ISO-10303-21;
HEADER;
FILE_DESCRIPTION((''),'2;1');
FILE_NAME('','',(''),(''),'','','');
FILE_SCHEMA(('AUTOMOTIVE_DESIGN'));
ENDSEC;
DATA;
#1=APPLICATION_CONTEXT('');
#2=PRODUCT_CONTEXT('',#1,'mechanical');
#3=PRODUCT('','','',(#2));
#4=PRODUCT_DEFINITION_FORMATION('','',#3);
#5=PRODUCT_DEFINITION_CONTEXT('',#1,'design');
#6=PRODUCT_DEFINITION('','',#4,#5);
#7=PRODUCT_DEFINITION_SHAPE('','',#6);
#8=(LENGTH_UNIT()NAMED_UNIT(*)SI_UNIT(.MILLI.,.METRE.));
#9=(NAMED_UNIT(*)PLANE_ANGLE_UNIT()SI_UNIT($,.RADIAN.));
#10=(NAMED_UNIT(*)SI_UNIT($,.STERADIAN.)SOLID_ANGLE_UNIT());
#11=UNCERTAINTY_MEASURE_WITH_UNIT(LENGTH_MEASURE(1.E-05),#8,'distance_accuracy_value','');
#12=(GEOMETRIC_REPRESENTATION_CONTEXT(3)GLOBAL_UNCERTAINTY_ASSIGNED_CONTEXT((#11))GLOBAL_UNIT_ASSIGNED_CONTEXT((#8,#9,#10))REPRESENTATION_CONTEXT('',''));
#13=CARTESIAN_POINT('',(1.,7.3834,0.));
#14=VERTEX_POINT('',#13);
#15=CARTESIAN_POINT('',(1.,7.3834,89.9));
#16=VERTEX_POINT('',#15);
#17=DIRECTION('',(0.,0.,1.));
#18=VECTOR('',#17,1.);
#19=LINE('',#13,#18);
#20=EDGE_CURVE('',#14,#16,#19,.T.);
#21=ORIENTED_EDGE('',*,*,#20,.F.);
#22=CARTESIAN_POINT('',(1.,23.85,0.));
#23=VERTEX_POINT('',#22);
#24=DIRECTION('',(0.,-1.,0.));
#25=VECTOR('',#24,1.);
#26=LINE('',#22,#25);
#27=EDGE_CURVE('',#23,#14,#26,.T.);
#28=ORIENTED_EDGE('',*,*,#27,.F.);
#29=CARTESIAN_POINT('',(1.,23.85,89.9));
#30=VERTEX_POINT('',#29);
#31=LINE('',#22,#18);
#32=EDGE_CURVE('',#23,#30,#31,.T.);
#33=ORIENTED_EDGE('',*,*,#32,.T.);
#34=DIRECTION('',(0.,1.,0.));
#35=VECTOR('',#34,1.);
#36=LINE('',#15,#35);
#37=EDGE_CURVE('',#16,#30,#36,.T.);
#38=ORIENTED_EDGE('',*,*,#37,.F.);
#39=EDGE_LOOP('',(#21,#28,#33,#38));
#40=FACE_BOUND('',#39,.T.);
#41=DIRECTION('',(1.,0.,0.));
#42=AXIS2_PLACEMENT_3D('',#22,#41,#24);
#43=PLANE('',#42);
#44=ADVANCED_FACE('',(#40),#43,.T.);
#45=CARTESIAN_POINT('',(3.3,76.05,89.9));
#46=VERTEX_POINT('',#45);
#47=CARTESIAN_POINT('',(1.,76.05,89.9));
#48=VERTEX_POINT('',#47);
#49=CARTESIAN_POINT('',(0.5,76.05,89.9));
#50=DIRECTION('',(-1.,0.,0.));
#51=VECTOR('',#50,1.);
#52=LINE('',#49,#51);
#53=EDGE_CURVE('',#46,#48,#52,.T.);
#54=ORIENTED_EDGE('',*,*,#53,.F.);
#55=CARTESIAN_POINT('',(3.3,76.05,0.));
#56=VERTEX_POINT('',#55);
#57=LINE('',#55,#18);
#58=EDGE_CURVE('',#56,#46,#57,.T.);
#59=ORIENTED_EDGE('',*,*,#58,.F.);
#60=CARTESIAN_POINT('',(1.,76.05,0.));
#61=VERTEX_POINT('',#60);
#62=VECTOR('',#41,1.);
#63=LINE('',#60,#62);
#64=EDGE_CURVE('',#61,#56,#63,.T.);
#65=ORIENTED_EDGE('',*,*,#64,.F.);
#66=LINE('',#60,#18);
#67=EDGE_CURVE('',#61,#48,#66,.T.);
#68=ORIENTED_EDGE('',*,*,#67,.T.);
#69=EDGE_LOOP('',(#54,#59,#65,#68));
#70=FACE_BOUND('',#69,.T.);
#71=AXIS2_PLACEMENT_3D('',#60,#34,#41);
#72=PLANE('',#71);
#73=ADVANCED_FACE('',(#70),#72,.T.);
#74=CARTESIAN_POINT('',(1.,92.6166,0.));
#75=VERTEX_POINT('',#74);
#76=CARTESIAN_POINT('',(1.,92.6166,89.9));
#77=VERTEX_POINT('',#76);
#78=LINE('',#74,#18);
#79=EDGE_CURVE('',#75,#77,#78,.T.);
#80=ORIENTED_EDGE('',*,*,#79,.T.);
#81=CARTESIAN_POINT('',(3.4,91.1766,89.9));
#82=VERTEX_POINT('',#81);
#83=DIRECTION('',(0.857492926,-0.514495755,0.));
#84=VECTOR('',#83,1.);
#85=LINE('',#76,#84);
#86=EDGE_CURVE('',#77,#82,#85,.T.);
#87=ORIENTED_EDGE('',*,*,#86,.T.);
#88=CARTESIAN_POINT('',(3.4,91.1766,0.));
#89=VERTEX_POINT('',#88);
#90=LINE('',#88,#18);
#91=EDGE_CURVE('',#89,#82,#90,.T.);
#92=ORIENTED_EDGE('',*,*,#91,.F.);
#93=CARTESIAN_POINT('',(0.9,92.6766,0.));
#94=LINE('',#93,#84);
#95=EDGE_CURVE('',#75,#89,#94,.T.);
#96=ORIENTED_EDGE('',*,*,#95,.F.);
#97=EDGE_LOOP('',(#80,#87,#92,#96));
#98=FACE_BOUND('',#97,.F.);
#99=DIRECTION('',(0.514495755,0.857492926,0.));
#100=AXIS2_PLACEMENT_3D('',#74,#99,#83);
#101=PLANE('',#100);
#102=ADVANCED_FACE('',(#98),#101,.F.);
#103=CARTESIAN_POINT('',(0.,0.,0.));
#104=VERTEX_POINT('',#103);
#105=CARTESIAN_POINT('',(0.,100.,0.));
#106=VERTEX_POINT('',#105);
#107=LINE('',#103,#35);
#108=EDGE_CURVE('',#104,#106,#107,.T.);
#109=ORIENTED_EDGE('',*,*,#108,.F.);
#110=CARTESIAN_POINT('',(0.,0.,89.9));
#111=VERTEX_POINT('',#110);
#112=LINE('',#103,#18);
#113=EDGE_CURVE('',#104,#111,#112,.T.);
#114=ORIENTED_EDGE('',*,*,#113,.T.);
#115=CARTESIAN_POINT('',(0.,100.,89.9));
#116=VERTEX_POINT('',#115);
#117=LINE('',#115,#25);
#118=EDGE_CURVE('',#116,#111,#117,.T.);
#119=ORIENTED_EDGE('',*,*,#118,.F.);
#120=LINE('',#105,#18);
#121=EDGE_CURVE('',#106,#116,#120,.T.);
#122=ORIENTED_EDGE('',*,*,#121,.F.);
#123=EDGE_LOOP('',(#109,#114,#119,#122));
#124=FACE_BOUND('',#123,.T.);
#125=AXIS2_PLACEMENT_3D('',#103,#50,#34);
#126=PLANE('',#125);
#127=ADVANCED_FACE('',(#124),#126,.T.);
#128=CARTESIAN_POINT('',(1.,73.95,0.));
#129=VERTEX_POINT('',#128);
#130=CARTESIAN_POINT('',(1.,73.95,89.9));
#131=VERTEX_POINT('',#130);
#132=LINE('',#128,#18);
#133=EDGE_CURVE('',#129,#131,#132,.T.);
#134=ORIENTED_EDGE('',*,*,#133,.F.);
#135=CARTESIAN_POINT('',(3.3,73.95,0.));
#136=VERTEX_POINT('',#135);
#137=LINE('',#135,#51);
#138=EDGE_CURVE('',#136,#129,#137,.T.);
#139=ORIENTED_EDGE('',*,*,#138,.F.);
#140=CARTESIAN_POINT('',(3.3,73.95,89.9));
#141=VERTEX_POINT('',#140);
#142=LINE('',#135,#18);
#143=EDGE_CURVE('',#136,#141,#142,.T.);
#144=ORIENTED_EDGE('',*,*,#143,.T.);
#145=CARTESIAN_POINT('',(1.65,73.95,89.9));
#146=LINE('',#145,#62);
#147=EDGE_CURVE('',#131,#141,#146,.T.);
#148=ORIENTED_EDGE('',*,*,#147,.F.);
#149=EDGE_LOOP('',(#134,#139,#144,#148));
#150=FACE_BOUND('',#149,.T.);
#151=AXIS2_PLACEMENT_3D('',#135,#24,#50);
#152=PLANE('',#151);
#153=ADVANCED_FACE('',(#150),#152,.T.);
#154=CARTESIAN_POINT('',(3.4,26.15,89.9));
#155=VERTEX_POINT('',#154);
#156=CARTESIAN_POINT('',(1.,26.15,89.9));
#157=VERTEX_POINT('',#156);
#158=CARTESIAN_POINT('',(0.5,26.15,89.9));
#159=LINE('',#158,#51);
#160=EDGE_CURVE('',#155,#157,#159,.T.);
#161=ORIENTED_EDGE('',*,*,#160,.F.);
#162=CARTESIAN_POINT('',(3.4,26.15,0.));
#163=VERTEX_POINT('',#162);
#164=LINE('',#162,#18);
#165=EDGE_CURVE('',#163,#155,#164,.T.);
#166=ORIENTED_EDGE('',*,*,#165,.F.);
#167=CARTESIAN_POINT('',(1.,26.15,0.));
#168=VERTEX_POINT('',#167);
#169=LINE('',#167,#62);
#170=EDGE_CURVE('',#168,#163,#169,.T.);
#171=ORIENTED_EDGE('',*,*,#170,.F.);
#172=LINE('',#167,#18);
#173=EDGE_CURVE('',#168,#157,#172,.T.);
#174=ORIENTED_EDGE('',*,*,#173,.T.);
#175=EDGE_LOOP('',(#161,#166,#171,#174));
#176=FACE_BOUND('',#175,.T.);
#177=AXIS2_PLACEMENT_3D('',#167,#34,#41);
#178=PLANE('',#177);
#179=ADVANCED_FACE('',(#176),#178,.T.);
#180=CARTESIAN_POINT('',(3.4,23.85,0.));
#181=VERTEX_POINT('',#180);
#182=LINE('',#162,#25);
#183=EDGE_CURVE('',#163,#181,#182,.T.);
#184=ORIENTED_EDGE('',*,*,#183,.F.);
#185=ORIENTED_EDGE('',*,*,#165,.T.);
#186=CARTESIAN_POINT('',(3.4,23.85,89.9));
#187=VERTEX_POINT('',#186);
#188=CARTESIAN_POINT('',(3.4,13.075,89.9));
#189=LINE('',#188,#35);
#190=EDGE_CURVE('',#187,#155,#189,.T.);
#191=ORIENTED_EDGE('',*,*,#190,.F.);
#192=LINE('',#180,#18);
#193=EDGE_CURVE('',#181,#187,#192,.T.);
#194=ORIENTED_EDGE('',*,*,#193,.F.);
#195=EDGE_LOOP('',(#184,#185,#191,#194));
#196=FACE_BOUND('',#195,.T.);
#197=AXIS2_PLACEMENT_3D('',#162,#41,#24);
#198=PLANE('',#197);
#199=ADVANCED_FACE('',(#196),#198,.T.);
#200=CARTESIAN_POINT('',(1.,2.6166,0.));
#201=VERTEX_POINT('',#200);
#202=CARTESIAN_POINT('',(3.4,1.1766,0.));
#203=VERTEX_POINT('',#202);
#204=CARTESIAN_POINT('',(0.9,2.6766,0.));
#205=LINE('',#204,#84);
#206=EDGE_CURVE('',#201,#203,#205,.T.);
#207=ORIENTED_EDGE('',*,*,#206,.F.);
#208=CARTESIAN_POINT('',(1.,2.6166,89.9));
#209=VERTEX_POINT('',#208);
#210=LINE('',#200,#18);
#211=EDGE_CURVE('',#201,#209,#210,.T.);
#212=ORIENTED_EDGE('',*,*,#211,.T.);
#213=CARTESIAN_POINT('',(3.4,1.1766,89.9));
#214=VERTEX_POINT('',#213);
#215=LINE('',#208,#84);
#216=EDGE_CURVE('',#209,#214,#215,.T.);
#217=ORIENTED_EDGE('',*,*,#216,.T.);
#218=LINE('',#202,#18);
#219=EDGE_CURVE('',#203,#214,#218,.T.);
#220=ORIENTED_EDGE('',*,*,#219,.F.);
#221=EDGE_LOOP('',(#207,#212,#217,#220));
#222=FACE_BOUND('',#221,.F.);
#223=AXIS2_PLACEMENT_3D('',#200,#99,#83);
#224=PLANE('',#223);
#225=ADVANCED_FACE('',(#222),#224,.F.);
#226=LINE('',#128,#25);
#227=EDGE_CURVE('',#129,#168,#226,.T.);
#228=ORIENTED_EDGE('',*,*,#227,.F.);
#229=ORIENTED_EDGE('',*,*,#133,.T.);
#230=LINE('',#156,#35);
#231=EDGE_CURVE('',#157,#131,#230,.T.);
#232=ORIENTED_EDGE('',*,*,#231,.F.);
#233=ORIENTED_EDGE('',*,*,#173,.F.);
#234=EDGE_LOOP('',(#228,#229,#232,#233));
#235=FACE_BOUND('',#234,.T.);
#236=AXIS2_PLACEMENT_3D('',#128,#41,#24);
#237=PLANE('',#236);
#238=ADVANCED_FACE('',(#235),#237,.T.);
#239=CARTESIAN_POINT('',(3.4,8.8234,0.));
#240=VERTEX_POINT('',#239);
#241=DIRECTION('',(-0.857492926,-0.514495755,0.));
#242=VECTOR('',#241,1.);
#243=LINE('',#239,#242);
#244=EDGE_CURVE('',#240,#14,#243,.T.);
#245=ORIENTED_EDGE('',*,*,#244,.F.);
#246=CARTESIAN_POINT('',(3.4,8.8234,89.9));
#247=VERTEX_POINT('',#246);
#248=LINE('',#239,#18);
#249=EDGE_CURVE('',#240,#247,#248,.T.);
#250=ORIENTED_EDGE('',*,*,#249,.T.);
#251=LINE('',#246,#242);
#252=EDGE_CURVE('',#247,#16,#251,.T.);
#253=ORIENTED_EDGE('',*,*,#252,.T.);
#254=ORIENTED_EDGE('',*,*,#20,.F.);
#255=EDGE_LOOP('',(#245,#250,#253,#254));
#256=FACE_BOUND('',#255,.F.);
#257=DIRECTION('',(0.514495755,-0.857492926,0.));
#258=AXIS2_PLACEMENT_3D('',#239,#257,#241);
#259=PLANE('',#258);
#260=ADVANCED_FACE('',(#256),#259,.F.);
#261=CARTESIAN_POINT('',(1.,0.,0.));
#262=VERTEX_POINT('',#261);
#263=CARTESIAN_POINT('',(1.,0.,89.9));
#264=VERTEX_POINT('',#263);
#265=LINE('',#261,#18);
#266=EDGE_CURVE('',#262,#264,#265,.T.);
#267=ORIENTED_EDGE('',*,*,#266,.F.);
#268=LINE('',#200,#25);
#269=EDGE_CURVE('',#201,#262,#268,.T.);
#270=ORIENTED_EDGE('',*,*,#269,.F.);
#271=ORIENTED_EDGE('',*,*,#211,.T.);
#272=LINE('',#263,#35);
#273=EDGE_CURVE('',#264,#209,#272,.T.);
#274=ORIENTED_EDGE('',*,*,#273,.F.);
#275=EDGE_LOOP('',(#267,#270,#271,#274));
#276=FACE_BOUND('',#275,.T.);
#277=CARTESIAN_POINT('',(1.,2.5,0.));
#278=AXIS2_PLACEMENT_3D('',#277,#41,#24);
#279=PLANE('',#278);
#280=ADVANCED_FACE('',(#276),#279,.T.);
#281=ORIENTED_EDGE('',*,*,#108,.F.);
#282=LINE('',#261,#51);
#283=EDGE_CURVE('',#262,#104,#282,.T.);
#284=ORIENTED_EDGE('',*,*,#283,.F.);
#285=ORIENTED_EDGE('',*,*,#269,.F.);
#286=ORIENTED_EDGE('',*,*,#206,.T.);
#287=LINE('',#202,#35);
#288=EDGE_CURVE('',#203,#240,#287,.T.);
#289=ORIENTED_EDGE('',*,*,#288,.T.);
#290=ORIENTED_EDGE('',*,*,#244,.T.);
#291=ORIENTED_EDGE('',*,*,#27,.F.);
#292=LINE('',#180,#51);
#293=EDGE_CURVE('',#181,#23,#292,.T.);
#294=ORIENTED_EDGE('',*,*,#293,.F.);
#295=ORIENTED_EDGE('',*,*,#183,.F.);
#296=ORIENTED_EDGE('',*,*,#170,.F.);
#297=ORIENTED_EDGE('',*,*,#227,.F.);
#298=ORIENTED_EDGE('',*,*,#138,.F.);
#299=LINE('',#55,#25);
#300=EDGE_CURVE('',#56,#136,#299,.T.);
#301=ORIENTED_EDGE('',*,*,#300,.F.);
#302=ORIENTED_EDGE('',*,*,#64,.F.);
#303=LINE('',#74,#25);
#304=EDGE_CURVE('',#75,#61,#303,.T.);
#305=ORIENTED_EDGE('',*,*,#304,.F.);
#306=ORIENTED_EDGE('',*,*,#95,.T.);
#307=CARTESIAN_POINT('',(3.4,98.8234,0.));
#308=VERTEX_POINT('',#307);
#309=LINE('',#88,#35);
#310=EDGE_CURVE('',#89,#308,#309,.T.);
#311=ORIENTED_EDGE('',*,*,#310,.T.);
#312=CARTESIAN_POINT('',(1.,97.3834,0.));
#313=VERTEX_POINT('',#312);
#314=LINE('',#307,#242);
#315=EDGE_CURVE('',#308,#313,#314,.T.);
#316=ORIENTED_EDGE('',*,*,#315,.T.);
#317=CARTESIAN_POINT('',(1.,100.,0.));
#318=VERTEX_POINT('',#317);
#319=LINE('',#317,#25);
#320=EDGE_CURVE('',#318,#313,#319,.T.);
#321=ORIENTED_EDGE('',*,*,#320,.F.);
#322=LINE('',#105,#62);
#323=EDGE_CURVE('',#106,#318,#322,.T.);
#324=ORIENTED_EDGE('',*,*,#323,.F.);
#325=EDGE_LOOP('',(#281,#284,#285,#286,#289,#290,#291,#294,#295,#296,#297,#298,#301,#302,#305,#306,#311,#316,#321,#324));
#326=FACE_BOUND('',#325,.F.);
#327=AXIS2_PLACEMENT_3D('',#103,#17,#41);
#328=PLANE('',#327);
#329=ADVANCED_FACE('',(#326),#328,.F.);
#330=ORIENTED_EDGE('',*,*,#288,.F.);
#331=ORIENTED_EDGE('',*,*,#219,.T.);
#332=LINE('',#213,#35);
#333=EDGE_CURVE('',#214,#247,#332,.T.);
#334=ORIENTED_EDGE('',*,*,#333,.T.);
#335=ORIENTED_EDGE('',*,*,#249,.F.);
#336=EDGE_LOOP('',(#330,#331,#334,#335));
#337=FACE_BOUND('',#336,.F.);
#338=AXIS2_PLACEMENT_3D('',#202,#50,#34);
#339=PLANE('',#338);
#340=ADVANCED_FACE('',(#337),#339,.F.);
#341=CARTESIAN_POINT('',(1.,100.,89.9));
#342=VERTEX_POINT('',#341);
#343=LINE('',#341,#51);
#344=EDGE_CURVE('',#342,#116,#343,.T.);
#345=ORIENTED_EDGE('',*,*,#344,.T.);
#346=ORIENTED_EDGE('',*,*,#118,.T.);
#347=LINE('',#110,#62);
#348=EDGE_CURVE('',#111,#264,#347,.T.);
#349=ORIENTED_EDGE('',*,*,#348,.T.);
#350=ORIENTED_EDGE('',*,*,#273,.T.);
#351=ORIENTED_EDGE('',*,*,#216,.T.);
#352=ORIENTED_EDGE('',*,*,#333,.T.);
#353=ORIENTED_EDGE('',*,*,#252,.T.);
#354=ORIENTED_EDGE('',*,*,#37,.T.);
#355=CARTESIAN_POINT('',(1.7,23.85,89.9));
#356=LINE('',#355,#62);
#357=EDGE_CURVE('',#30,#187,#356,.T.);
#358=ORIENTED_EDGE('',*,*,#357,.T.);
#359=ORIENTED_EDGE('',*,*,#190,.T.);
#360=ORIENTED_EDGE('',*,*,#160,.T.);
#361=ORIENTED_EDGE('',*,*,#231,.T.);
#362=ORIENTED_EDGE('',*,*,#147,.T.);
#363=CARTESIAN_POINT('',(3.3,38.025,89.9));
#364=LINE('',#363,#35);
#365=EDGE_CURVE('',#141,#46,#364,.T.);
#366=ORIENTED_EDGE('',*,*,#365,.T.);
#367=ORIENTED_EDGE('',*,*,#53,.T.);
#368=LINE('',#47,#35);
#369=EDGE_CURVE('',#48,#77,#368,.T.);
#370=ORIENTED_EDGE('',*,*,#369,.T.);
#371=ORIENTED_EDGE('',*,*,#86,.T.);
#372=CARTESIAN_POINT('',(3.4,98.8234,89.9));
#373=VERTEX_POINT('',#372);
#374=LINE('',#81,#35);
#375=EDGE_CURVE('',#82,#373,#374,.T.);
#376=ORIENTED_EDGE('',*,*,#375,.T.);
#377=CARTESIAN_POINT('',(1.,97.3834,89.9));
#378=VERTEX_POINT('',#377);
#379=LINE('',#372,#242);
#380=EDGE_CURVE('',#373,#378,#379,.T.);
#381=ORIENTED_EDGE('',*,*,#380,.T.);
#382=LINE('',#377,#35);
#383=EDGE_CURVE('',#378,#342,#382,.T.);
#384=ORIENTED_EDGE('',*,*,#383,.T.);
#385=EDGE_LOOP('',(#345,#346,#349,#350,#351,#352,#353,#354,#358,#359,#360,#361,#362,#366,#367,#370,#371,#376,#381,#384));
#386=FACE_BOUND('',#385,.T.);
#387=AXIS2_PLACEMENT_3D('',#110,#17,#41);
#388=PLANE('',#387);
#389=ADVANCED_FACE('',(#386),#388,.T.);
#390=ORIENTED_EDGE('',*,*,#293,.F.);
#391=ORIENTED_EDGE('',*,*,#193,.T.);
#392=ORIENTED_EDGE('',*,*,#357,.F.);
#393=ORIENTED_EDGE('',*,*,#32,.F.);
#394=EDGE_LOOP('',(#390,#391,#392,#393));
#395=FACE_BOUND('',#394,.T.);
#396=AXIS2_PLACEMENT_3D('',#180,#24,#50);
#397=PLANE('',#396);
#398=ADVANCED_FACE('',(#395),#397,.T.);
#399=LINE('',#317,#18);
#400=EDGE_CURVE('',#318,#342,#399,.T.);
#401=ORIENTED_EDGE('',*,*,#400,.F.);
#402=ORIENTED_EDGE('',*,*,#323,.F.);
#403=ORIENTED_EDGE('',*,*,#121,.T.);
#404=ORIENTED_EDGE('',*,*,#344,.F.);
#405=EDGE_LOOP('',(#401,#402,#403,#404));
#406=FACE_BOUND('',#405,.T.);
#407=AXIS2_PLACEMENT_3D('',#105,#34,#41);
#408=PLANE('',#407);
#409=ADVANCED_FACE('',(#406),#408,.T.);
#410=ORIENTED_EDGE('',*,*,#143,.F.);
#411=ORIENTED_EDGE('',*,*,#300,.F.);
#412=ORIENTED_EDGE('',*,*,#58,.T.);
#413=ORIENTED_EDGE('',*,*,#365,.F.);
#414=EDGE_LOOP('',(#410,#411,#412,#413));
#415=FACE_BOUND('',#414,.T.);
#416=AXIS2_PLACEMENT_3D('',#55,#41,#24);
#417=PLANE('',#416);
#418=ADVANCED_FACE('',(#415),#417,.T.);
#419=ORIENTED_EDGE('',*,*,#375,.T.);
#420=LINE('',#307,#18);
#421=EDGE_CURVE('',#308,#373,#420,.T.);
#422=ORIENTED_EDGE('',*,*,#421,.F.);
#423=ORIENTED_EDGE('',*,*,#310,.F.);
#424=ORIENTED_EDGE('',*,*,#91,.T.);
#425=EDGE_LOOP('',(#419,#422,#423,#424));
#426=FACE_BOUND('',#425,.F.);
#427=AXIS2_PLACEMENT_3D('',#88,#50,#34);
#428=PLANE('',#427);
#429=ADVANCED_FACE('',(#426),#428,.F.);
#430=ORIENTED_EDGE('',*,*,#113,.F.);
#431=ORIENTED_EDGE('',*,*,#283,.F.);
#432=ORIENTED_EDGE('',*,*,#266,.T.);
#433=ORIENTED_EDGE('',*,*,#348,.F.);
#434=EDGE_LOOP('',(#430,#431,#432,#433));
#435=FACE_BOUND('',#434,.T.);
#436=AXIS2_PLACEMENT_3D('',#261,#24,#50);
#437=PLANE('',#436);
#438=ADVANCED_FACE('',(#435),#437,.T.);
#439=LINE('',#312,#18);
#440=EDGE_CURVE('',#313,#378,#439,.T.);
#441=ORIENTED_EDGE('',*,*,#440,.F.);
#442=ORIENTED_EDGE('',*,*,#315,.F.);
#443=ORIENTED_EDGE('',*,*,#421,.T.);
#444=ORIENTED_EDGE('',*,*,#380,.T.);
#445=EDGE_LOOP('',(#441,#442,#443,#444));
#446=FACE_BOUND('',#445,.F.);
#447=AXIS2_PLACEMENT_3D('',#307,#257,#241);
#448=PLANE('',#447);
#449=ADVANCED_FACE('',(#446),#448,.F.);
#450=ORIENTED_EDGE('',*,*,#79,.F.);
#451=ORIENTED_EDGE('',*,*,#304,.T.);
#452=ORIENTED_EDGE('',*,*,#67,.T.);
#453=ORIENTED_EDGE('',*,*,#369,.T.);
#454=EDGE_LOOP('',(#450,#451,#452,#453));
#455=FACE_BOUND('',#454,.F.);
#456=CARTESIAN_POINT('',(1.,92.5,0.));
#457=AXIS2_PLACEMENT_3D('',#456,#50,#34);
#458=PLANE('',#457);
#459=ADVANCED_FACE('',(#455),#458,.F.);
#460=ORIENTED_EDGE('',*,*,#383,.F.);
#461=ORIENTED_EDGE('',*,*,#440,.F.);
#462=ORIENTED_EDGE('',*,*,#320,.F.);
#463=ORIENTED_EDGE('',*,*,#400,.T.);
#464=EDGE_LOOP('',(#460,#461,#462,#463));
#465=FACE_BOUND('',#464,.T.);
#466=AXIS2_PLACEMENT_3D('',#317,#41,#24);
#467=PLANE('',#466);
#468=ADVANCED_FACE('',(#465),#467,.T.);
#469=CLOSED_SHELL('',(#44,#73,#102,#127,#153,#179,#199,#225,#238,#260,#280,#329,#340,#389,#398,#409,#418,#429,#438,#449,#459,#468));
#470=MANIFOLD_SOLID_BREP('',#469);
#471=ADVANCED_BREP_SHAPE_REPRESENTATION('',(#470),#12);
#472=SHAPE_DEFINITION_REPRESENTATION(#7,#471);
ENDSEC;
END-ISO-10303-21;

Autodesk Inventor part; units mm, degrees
ref_plane "YZ Plane" through (0, 0, 0) normal (1, 0, 0) x (0, 1, 0)
ref_plane "XZ Plane" through (0, 0, 0) normal (0, 1, 0) x (-1, 0, 0)
sketch "Sketch1" plane through (0, 0, 0) normal (0, 0, 1) x (1, 0, 0)
  line L0 (0, 0) -> (0, 100)
  line L1 (0, 100) -> (1, 100)
  line L2 (1, 100) -> (1, 97.5)
  line L3 (1, 97.5) -> (3.5, 99)
  line L4 (3.5, 99) -> (3.5, 91)
  line L5 (3.5, 91) -> (1, 92.5)
  line L6 (1, 92.5) -> (1, 7.5)
  line L7 (1, 7.5) -> (3.5, 9)
  line L8 (3.5, 9) -> (3.5, 1)
  line L9 (3.5, 1) -> (1, 2.5)
  line L10 (1, 2.5) -> (1, 0)
  line L11 (1, 0) -> (0, 0)
  line L12 (1, 76.25) -> (3.5, 76.25)
  line L13 (3.5, 76.25) -> (3.5, 73.75)
  line L14 (3.5, 73.75) -> (1, 73.75)
  line L15 (1, 73.75) -> (1, 76.25)
  line L16 (1, 23.75) -> (3.5, 23.75)
  line L17 (3.5, 23.75) -> (3.5, 26.25)
  line L18 (3.5, 26.25) -> (1, 26.25)
  line L19 (1, 26.25) -> (1, 23.75)
  line L20 (3.4, 98.8234) -> (0.9, 97.3234)
  line L21 (0.9, 97.3234) -> (0.9, 99.9)
  line L22 (0.9, 99.9) -> (0.1, 99.9)
  line L23 (0.1, 99.9) -> (0.1, 0.1)
  line L24 (0.1, 0.1) -> (0.9, 0.1)
  line L25 (0.9, 0.1) -> (0.9, 2.6766)
  line L26 (0.9, 2.6766) -> (3.4, 1.1766)
  line L27 (3.4, 1.1766) -> (3.4, 8.8234)
  line L28 (3.4, 8.8234) -> (0.9, 7.3234)
  line L29 (0.9, 7.3234) -> (0.9, 92.6766)
  line L30 (0.9, 92.6766) -> (3.4, 91.1766)
  line L31 (3.4, 91.1766) -> (3.4, 98.8234)
  line L32 (1, 92.5) -> (1, 97.5)
  line L33 (1, 2.5) -> (1, 7.5)
  point P0 (1, 98.75)
  point P1 (0.5, 0)
  point P2 (3.5, 75)
  point P3 (3.5, 25)
  point P4 (1, 97.3834)
  point P5 (1, 92.6166)
  point P6 (1, 7.3834)
  point P7 (1, 2.6166)
  dimension "d0" = 8
  dimension "d1" = 8
  dimension "d2" = 2.5
  dimension "d3" = 2.5
  dimension "d4" = 1
  dimension "d5" = 1
  dimension "d6" = 100
  dimension "d7" = 5
  dimension "d8" = 5
  dimension "d10" = 2.5
  dimension "d11" = 7.5
  dimension "d12" = 2.5
  dimension "d13" = 1
  dimension "d16" = 2.5
  dimension "d17" = 2.5
  dimension "d18" = 2.5
  dimension "d19" = 2.5
  dimension "d20" = 25
  dimension "d21" = 25
  dimension "d24" = 0.1
extrude "Extrusion1" add sketch "Sketch1" along normal blind 90 contours L0 L1 L2 L32 L20 L21 L22 L23 L24 L25 L26 L33 L10 L11 | L33 L26 L27 L28 L7 L8 L9 | L3 L4 L5 L32 L30 L31 L20 | L33 L28 L27 L26 | L26 L25 L24 L23 L22 L21 L20 L32 L30 L29 L28 L33 | L20 L31 L30 L32 | L28 L29 L30 L32 L6 L33
extrude "Extrusion2" add sketch "Sketch1" along normal blind 90 contours L6 L18 L17 L16 | L12 L13 L14 L6
ref_plane "Work Plane1" through (0, 0, 90) normal (0, 0, -1) x (0, 1, 0)
extrude "Extrusion3" cut sketch "Sketch1" along normal up to surface (90 mm away) contours L33 L26 L27 L28 L7 L8 L9 | L3 L4 L5 L32 L30 L31 L20
sketch "Sketch2" plane through (0, 0, 90) normal (0, 0, 1) x (1, 0, 0)
  point P0 (0, 0)
sketch "Sketch3" plane through (0, 0, 90) normal (0, 0, 1) x (1, 0, 0)
  line L0 (1, 97.3834) -> (1, 100) projected
  line L1 (1, 100) -> (0, 100) projected
  line L2 (0, 100) -> (0, 0) projected
  line L3 (0, 0) -> (1, 0) projected
  line L4 (1, 0) -> (1, 2.6166) projected
  line L5 (1, 2.6166) -> (3.4, 1.1766) projected
  line L6 (3.4, 1.1766) -> (3.4, 8.8234) projected
  line L7 (3.4, 8.8234) -> (1, 7.3834) projected
  line L8 (1, 7.3834) -> (1, 23.75) projected
  line L9 (1, 23.75) -> (3.5, 23.75) projected
  line L10 (3.5, 23.75) -> (3.5, 26.25) projected
  line L11 (3.5, 26.25) -> (1, 26.25) projected
  line L12 (1, 26.25) -> (1, 73.75) projected
  line L13 (1, 73.75) -> (3.5, 73.75) projected
  line L14 (3.5, 73.75) -> (3.5, 76.25) projected
  line L15 (3.5, 76.25) -> (1, 76.25) projected
  line L16 (1, 76.25) -> (1, 92.6166) projected
  line L17 (1, 92.6166) -> (3.4, 91.1766) projected
  line L18 (3.4, 91.1766) -> (3.4, 98.8234) projected
  line L19 (3.4, 98.8234) -> (1, 97.3834) projected
extrude "Extrusion4" cut sketch "Sketch3" against normal blind 0.1
sketch "Sketch4" plane through (0, 0, 0) normal (0, 0, -1) x (-1, 0, 0)
  line L0 (-3.5, 76.25) -> (-1, 76.25) projected
  line L1 (-3.5, 73.75) -> (-3.5, 76.25) projected
  line L2 (-1, 73.75) -> (-3.5, 73.75) projected
  line L3 (-3.5, 26.25) -> (-1, 26.25) projected
  line L4 (-3.5, 23.75) -> (-3.5, 26.25) projected
  line L5 (-1, 23.75) -> (-3.5, 23.75) projected
  line L6 (-1, 76.05) -> (-3.3, 76.05)
  line L7 (-3.3, 76.05) -> (-3.3, 73.95)
  line L8 (-3.3, 73.95) -> (-1, 73.95)
  line L9 (-1, 26.15) -> (-3.4, 26.15)
  line L10 (-3.4, 26.15) -> (-3.4, 23.85)
  line L11 (-3.4, 23.85) -> (-1, 23.85)
  line L12 (-1, 76.25) -> (-1, 73.75)
  line L13 (-1, 26.25) -> (-1, 23.75)
  point P0 (0, 0)
  dimension "d29" = 0.2
  dimension "d30" = 0.1
extrude "Extrusion5" cut sketch "Sketch4" against normal through all contours L0 L12 L6 L7 L8 L2 L1 | L3 L13 L9 L10 L11 L5 L4
equation "\"d27\" = d30"
equation "\"d29\" = 2 * tol"
equation "\"d30\" = tol"
equation "\"tol\" = 0.1"
properties part number "side"
